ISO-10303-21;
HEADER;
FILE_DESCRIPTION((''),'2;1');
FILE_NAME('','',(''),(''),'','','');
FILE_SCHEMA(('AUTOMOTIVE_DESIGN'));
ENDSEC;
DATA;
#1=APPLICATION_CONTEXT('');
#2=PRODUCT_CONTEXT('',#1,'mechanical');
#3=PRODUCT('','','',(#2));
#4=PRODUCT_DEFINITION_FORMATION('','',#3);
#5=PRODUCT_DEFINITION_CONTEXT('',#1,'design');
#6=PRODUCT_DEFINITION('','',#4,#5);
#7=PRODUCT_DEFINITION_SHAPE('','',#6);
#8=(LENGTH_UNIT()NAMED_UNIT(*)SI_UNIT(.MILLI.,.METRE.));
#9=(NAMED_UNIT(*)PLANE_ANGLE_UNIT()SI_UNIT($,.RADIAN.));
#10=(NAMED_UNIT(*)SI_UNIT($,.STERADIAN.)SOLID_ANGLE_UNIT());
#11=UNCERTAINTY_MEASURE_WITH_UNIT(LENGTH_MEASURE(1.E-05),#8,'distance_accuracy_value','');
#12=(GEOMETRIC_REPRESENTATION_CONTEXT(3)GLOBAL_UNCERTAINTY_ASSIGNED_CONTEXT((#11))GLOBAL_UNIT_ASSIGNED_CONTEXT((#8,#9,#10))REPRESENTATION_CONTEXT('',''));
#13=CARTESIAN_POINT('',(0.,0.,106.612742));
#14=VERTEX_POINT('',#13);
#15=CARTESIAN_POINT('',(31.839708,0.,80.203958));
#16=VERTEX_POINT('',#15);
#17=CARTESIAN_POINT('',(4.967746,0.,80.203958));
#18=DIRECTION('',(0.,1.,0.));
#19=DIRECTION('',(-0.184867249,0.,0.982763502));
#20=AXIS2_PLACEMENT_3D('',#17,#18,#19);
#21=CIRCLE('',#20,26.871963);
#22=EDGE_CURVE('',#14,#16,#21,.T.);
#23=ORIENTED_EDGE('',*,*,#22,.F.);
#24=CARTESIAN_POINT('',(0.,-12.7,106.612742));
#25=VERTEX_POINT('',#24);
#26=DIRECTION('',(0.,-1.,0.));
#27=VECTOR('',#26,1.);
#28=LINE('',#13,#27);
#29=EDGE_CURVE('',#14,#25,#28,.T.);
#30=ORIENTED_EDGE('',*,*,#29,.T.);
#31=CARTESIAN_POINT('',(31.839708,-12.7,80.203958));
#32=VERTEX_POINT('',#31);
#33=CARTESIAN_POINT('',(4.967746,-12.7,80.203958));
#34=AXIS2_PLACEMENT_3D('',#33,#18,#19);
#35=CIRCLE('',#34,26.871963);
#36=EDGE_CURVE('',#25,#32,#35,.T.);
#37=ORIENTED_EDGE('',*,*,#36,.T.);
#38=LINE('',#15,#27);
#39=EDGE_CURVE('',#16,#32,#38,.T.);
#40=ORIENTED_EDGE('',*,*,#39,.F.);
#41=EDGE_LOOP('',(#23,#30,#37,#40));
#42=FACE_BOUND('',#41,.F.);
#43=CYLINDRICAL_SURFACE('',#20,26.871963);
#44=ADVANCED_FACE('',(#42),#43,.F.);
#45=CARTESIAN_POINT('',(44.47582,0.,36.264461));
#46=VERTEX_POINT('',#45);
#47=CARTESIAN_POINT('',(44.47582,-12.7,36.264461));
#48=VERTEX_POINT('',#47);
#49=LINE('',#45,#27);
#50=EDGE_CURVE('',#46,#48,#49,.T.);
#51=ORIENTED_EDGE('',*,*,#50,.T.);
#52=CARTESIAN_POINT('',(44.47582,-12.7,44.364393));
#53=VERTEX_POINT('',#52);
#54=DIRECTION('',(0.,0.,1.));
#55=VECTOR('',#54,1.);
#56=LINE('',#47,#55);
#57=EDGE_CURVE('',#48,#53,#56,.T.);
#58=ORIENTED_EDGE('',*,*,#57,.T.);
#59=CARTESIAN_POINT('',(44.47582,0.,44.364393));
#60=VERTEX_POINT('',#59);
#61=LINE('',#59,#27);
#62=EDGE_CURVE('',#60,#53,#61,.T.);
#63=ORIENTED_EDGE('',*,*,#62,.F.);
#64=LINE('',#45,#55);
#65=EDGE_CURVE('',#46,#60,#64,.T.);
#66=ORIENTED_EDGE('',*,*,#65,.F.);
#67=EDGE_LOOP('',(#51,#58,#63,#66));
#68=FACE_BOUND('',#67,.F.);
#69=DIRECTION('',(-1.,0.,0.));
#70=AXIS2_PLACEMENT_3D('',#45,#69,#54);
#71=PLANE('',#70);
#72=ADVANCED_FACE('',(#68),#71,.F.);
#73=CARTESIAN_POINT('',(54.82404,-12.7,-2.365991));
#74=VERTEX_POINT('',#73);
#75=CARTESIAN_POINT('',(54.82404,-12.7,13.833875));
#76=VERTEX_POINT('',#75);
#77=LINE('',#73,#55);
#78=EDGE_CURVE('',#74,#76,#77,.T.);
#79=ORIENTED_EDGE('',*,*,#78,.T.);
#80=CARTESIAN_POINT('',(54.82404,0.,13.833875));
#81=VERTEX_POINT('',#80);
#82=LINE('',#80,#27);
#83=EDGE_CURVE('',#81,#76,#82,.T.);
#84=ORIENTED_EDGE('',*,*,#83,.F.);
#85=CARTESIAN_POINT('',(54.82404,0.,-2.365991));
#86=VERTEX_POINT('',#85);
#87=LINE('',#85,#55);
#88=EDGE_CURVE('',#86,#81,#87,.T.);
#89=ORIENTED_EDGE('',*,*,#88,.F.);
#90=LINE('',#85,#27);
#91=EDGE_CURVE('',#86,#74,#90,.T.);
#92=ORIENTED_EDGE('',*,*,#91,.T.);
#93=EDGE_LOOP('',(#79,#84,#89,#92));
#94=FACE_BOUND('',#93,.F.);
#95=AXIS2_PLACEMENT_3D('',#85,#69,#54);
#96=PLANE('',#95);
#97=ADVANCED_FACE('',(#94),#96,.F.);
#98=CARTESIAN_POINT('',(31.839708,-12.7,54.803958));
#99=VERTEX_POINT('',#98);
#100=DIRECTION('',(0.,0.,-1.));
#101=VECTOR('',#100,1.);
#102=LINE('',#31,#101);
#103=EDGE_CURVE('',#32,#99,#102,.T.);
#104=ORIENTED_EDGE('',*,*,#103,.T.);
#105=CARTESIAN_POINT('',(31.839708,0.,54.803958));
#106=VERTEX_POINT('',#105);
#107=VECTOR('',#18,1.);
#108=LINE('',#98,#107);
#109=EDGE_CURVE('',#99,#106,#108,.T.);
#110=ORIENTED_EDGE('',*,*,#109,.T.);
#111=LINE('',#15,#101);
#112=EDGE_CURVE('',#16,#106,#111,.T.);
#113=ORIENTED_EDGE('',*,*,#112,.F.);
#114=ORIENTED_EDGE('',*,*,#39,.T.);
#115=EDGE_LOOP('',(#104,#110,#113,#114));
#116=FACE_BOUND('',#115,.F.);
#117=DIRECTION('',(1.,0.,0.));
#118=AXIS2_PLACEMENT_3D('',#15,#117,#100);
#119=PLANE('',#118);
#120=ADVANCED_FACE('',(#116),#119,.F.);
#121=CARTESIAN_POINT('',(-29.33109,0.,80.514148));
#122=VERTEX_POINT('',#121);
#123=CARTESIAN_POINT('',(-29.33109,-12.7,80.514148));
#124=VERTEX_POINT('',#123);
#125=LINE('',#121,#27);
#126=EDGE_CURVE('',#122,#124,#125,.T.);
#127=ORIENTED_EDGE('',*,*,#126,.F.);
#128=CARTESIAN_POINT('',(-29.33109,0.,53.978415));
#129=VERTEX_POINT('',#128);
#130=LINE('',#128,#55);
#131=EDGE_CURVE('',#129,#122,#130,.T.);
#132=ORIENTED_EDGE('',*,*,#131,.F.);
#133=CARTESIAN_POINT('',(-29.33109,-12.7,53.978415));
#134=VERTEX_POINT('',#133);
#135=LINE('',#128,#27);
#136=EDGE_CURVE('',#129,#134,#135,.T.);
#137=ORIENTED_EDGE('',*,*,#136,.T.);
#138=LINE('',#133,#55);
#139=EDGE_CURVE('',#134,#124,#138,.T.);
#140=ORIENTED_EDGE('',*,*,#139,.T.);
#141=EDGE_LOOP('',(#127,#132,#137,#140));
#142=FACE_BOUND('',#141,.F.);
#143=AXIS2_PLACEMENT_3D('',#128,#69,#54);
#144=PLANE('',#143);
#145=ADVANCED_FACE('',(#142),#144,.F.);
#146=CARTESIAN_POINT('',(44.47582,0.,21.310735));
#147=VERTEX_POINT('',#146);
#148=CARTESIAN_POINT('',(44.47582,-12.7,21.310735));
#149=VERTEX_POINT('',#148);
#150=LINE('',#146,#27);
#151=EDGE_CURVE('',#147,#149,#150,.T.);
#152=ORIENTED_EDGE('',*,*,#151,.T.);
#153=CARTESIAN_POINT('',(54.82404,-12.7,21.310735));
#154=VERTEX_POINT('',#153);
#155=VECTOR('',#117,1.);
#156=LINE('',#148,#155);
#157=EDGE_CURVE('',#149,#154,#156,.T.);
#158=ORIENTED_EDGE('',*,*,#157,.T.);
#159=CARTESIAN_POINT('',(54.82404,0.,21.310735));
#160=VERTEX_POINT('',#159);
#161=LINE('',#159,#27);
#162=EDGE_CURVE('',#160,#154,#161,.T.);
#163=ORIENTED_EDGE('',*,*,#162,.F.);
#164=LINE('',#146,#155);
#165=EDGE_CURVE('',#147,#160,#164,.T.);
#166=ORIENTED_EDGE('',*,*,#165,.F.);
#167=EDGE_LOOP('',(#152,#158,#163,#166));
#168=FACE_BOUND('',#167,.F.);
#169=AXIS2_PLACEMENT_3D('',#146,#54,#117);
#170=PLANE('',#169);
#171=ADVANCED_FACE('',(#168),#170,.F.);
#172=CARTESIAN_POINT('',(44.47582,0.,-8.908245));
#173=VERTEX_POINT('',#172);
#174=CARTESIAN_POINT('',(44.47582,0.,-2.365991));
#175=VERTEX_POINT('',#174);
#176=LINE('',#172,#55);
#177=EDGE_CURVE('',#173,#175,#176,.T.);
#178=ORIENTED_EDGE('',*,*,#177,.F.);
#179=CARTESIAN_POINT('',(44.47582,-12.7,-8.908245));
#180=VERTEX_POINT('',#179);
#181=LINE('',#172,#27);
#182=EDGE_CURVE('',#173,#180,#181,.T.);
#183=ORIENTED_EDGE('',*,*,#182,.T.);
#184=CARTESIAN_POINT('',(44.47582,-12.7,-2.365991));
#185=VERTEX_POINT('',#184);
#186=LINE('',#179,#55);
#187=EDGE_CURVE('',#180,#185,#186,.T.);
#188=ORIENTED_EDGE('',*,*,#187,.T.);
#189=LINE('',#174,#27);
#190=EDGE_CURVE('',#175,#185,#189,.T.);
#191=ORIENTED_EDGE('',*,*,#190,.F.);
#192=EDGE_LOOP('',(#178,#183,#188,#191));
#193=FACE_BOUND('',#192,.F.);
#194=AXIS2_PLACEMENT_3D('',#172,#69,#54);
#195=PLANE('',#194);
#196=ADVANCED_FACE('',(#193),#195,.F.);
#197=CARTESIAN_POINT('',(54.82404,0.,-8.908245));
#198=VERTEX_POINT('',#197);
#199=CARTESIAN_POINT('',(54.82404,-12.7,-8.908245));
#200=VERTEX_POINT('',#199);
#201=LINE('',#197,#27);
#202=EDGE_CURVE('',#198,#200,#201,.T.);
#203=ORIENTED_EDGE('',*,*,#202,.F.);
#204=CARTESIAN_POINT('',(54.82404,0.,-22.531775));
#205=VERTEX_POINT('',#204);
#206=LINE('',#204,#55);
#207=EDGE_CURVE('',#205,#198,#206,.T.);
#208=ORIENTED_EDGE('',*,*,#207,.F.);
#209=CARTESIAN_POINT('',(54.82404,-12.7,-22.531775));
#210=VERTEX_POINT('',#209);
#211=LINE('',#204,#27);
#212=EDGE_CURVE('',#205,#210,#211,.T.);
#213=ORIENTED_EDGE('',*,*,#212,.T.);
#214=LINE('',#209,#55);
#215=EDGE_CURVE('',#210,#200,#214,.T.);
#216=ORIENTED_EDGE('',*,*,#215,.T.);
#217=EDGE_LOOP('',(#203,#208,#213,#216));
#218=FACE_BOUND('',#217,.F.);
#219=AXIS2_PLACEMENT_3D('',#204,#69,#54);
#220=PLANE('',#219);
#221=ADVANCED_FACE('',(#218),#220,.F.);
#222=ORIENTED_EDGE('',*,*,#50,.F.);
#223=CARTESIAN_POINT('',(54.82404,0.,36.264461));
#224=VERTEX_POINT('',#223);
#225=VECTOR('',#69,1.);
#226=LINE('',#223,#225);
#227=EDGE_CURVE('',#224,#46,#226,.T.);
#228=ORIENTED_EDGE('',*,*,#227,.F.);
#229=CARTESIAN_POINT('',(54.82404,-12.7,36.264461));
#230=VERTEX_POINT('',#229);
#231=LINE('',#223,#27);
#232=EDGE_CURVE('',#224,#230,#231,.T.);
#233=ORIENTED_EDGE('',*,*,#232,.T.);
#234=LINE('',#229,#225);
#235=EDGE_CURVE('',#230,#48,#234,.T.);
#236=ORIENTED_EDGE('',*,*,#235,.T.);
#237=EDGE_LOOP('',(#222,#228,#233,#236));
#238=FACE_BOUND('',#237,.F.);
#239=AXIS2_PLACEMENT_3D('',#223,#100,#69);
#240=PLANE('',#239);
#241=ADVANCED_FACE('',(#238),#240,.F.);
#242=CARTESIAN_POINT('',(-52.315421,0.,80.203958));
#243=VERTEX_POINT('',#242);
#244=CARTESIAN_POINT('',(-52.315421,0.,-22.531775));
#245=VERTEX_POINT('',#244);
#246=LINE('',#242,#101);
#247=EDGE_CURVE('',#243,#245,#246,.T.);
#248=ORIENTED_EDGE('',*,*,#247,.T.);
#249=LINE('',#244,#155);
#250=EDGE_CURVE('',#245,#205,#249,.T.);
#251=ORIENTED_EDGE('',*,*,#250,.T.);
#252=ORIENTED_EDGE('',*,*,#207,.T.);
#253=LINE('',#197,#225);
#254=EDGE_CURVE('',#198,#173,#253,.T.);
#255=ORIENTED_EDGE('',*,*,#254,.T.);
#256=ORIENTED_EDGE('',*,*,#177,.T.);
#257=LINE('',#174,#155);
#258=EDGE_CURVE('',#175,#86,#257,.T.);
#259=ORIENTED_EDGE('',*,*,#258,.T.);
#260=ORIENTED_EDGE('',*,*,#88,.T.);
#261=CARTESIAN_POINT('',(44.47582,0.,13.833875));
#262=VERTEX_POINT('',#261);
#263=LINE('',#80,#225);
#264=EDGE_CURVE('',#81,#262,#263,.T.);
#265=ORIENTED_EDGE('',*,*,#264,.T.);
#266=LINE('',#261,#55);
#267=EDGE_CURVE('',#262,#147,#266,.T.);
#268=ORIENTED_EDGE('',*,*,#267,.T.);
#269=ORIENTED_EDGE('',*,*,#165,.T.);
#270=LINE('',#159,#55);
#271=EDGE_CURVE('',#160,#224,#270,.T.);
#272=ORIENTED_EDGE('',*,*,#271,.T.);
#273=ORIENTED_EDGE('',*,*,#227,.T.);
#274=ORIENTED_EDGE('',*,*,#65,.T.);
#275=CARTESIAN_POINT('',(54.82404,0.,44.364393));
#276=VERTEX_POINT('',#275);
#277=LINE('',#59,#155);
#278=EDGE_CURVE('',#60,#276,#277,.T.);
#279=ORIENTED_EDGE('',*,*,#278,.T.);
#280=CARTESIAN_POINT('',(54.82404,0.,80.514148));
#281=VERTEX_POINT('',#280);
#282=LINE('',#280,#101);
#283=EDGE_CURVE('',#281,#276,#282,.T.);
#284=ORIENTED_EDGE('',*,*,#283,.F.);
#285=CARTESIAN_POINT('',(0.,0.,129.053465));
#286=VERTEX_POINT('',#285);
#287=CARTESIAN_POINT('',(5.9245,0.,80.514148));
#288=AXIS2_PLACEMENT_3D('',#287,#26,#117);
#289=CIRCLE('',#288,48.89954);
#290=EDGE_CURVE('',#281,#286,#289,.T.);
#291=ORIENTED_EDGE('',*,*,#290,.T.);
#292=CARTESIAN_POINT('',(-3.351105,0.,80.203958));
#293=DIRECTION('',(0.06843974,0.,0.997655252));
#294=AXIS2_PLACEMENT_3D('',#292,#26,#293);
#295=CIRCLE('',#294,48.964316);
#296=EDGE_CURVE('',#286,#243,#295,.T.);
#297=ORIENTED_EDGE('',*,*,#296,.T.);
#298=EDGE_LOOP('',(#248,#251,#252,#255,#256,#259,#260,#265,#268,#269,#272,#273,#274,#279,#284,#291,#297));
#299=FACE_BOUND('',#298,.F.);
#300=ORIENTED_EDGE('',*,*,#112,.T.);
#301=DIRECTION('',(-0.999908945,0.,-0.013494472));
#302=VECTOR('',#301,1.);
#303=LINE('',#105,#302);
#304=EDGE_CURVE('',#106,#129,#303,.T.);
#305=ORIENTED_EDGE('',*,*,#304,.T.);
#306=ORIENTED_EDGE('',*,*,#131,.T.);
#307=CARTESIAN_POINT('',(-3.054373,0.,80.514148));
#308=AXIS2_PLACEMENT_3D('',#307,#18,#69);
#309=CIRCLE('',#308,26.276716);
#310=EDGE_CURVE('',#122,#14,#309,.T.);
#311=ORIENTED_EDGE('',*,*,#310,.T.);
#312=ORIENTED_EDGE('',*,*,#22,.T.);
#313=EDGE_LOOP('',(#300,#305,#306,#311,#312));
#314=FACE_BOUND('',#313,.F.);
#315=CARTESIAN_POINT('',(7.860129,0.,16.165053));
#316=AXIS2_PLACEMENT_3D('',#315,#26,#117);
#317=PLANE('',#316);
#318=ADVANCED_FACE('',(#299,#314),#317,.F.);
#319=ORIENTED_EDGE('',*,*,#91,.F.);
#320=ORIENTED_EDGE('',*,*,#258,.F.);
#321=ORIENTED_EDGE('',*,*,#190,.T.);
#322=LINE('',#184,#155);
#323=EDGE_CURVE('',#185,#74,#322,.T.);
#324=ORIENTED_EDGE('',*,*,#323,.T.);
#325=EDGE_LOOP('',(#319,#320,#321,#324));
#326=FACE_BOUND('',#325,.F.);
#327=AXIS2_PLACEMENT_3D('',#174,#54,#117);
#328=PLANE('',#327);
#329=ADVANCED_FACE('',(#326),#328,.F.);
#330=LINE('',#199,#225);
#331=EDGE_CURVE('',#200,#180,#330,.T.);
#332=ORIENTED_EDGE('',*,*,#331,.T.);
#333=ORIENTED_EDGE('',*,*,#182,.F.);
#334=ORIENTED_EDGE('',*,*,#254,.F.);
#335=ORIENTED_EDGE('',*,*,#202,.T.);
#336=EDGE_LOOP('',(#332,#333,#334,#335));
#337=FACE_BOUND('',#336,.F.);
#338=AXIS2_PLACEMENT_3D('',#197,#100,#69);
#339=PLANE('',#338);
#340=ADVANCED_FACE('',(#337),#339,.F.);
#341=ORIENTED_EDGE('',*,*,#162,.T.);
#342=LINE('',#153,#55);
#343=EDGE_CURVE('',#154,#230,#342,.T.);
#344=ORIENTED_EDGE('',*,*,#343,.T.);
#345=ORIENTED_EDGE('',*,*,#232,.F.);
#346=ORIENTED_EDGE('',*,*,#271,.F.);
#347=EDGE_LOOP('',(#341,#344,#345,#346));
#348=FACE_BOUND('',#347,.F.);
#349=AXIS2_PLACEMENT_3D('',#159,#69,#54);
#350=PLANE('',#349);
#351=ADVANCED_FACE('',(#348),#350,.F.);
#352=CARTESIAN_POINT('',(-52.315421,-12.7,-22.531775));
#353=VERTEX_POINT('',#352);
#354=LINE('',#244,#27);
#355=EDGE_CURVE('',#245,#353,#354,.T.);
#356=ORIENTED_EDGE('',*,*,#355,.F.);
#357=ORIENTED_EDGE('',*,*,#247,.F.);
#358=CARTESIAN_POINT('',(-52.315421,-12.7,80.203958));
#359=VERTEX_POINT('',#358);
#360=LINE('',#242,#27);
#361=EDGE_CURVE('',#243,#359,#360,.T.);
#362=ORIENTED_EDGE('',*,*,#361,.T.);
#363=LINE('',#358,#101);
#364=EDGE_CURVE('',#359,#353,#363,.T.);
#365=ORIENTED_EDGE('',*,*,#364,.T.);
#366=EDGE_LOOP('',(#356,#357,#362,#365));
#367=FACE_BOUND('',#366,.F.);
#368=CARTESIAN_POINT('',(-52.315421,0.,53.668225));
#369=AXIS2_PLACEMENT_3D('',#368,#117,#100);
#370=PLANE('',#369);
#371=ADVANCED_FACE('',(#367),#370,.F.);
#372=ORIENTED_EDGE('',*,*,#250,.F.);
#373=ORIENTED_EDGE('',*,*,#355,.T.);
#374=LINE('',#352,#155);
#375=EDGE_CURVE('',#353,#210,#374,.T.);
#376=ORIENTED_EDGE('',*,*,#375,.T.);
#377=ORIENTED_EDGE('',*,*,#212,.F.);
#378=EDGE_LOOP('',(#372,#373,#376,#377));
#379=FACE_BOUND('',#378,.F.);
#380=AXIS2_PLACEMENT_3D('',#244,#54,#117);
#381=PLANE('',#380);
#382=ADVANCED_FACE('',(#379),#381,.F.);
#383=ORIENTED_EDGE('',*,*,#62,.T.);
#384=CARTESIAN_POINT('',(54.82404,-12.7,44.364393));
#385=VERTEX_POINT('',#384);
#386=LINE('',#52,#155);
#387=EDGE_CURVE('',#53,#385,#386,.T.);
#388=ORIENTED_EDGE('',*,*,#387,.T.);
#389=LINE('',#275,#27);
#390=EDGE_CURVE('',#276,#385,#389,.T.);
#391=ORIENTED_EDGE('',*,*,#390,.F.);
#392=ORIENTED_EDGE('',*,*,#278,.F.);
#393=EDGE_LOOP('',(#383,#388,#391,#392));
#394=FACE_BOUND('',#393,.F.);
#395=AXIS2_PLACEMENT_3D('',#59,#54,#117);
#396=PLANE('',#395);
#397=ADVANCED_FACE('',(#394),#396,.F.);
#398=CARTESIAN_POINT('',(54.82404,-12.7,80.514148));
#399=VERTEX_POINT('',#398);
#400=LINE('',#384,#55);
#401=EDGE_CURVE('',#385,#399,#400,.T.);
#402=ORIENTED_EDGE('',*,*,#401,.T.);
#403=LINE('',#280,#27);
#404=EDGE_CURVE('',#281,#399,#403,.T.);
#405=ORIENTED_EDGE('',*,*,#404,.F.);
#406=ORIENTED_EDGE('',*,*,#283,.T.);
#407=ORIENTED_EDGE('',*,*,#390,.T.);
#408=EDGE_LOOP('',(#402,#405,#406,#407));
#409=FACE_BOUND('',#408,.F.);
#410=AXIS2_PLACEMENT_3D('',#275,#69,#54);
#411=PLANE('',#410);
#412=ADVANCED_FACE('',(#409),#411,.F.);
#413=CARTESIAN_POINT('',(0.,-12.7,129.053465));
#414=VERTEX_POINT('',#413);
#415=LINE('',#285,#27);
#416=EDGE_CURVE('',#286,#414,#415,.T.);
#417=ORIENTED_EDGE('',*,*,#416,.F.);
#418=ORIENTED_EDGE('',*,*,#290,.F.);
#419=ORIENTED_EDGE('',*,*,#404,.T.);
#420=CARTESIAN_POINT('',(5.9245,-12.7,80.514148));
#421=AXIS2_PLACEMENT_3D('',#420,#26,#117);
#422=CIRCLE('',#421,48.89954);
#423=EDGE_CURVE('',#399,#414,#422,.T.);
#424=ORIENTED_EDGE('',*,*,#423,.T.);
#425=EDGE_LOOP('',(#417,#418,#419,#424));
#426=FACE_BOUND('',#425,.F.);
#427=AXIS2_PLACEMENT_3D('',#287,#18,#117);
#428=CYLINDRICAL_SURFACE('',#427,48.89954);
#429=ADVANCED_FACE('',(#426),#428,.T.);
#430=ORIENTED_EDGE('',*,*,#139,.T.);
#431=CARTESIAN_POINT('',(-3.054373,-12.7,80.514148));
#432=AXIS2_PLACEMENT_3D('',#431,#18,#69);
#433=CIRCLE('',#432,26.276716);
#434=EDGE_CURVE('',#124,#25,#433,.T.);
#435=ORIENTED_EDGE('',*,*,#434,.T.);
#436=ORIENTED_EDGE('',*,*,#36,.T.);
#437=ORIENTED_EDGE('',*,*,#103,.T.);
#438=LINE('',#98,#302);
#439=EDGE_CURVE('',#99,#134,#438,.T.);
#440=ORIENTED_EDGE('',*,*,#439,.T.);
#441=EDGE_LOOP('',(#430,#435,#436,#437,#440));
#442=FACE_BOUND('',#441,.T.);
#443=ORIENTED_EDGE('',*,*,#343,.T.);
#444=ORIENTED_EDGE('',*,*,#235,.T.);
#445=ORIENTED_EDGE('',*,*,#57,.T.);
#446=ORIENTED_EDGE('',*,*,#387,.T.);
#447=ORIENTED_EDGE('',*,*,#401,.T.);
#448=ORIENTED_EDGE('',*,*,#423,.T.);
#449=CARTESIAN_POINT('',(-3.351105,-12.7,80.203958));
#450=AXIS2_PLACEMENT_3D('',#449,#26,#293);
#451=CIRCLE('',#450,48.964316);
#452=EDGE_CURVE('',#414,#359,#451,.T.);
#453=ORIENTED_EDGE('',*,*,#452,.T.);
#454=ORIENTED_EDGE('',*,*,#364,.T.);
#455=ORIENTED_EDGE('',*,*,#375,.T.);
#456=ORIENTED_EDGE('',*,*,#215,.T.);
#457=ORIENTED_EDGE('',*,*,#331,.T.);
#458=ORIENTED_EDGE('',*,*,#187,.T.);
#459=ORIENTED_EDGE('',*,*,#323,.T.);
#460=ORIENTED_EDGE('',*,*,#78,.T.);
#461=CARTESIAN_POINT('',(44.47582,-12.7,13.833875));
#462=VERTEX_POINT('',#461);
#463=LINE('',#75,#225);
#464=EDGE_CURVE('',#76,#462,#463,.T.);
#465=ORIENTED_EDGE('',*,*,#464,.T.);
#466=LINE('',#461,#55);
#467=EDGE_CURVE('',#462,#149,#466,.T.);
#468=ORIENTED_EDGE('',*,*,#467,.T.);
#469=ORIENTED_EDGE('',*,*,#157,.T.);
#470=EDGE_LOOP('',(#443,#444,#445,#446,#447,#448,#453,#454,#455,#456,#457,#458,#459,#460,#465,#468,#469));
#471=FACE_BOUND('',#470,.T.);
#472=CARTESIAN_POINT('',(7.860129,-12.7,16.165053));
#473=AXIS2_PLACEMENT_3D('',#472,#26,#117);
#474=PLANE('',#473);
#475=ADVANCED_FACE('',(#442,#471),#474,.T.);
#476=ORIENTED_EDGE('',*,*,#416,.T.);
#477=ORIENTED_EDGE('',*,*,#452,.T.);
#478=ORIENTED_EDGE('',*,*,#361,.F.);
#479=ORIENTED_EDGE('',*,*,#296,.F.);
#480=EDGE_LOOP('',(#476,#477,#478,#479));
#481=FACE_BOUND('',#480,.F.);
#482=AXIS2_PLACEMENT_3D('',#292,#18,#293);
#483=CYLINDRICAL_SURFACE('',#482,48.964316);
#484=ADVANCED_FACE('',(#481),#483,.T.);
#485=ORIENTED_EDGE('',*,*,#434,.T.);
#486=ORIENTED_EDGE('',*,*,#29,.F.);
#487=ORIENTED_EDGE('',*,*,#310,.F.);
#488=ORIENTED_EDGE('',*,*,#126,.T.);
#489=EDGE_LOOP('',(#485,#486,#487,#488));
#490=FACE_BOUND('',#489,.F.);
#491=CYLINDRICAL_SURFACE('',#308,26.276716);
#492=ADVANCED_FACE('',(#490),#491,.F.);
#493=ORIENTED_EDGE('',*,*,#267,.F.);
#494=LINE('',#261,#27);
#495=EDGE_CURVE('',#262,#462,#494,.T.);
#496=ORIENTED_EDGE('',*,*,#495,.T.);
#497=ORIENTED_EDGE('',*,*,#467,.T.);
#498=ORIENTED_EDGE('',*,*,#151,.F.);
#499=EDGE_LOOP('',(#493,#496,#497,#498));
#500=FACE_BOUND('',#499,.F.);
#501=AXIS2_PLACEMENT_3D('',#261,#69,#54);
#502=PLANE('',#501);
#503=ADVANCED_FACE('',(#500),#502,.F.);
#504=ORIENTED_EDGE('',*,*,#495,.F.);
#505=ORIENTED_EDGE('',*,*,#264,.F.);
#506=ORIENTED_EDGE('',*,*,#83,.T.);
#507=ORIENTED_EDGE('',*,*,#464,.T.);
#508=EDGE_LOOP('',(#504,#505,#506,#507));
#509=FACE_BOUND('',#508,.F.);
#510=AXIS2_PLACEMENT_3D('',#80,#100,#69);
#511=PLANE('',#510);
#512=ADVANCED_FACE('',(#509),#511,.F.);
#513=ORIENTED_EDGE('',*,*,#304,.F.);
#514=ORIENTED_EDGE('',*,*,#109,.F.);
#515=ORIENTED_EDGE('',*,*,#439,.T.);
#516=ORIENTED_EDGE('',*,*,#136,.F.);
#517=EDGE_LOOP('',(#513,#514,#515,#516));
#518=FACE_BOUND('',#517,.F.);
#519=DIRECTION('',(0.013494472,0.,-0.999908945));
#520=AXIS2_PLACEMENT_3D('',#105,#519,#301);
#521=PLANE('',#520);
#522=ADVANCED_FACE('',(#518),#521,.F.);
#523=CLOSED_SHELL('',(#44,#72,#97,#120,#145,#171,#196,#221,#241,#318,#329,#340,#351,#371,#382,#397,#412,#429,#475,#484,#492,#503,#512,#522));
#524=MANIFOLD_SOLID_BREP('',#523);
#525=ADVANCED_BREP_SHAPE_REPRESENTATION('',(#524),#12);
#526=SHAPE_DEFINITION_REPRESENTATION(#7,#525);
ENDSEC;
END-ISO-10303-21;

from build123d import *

# Parameters (mm, degrees)
F1_DEPTH = 6.35
F2_DEPTH = 12.7


with BuildPart() as f1:
    # F0 (on Front) → F1 (new body)
    with BuildSketch(Plane.XZ):
        Polygon((-29.3310899078, 53.6682253753), (-52.3154214025, 53.6682253753), (-52.3154214025, -22.5317746247), (54.824039946, -22.5317746247), (54.824039946, -8.9082447812), (44.4758199155, -8.9082447812), (44.4758199155, -2.3659907747), (54.824039946, -2.3659907747), (54.824039946, 13.8338748366), (44.4758199155, 13.8338748366), (44.4758199155, 21.3107354939), (54.824039946, 21.3107354939), (54.824039946, 36.2644605339), (44.4758199155, 36.2644605339), (44.4758199155, 44.3643927574), (54.824039946, 44.3643927574), (54.824039946, 55.1141475241), (31.8397084513, 54.8039578557), (-29.3310899078, 53.9784150436), align=None)
    extrude(amount=F1_DEPTH)

    # F0 (on Front) → F2 (join)
    with BuildSketch(Plane.XZ):
        Polygon((-29.3310899078, 53.6682253753), (-52.3154214025, 53.6682253753), (-52.3154214025, -22.5317746247), (54.824039946, -22.5317746247), (54.824039946, -8.9082447812), (44.4758199155, -8.9082447812), (44.4758199155, -2.3659907747), (54.824039946, -2.3659907747), (54.824039946, 13.8338748366), (44.4758199155, 13.8338748366), (44.4758199155, 21.3107354939), (54.824039946, 21.3107354939), (54.824039946, 36.2644605339), (44.4758199155, 36.2644605339), (44.4758199155, 44.3643927574), (54.824039946, 44.3643927574), (54.824039946, 55.1141475241), (31.8397084513, 54.8039578557), (-29.3310899078, 53.9784150436), align=None)
        Polygon((-52.3154214025, 65.8902004361), (-52.3154214025, 53.6682253753), (-29.3310899078, 53.9784150436), (-29.3310899078, 80.5141475241), (-52.3154214025, 80.2039578557), align=None)
        Polygon((-29.3310899078, 53.9784150436), (-52.3154214025, 53.6682253753), (-29.3310899078, 53.6682253753), align=None)
        Polygon((31.8397084513, 80.2039578557), (31.8397084513, 54.8039578557), (54.824039946, 55.1141475241), (54.824039946, 80.5141475241), align=None)
        with BuildLine():
            Line((-52.3154214025, 80.2039578557), (-29.3310899078, 80.5141475241))
            ThreePointArc((-29.3310899078, 80.5141475241), (-20.5215844856, 100.1447961764), (0, 106.6127419472))
            Line((0, 106.6127419472), (0, 129.0534651811))
            ThreePointArc((0, 129.0534651811), (-36.7683139969, 115.9921461392), (-52.3154214025, 80.2039578557))
        make_face()
        with BuildLine():
            ThreePointArc((0, 106.6127419472), (22.12305543, 100.8872295472), (31.8397084513, 80.2039578557))
            Line((31.8397084513, 80.2039578557), (54.824039946, 80.5141475241))
            ThreePointArc((54.824039946, 80.5141475241), (38.3394632715, 117.1261015644), (0, 129.0534651811))
            Line((0, 129.0534651811), (0, 106.6127419472))
        make_face()
    extrude(amount=F2_DEPTH)


solid = f1.part
